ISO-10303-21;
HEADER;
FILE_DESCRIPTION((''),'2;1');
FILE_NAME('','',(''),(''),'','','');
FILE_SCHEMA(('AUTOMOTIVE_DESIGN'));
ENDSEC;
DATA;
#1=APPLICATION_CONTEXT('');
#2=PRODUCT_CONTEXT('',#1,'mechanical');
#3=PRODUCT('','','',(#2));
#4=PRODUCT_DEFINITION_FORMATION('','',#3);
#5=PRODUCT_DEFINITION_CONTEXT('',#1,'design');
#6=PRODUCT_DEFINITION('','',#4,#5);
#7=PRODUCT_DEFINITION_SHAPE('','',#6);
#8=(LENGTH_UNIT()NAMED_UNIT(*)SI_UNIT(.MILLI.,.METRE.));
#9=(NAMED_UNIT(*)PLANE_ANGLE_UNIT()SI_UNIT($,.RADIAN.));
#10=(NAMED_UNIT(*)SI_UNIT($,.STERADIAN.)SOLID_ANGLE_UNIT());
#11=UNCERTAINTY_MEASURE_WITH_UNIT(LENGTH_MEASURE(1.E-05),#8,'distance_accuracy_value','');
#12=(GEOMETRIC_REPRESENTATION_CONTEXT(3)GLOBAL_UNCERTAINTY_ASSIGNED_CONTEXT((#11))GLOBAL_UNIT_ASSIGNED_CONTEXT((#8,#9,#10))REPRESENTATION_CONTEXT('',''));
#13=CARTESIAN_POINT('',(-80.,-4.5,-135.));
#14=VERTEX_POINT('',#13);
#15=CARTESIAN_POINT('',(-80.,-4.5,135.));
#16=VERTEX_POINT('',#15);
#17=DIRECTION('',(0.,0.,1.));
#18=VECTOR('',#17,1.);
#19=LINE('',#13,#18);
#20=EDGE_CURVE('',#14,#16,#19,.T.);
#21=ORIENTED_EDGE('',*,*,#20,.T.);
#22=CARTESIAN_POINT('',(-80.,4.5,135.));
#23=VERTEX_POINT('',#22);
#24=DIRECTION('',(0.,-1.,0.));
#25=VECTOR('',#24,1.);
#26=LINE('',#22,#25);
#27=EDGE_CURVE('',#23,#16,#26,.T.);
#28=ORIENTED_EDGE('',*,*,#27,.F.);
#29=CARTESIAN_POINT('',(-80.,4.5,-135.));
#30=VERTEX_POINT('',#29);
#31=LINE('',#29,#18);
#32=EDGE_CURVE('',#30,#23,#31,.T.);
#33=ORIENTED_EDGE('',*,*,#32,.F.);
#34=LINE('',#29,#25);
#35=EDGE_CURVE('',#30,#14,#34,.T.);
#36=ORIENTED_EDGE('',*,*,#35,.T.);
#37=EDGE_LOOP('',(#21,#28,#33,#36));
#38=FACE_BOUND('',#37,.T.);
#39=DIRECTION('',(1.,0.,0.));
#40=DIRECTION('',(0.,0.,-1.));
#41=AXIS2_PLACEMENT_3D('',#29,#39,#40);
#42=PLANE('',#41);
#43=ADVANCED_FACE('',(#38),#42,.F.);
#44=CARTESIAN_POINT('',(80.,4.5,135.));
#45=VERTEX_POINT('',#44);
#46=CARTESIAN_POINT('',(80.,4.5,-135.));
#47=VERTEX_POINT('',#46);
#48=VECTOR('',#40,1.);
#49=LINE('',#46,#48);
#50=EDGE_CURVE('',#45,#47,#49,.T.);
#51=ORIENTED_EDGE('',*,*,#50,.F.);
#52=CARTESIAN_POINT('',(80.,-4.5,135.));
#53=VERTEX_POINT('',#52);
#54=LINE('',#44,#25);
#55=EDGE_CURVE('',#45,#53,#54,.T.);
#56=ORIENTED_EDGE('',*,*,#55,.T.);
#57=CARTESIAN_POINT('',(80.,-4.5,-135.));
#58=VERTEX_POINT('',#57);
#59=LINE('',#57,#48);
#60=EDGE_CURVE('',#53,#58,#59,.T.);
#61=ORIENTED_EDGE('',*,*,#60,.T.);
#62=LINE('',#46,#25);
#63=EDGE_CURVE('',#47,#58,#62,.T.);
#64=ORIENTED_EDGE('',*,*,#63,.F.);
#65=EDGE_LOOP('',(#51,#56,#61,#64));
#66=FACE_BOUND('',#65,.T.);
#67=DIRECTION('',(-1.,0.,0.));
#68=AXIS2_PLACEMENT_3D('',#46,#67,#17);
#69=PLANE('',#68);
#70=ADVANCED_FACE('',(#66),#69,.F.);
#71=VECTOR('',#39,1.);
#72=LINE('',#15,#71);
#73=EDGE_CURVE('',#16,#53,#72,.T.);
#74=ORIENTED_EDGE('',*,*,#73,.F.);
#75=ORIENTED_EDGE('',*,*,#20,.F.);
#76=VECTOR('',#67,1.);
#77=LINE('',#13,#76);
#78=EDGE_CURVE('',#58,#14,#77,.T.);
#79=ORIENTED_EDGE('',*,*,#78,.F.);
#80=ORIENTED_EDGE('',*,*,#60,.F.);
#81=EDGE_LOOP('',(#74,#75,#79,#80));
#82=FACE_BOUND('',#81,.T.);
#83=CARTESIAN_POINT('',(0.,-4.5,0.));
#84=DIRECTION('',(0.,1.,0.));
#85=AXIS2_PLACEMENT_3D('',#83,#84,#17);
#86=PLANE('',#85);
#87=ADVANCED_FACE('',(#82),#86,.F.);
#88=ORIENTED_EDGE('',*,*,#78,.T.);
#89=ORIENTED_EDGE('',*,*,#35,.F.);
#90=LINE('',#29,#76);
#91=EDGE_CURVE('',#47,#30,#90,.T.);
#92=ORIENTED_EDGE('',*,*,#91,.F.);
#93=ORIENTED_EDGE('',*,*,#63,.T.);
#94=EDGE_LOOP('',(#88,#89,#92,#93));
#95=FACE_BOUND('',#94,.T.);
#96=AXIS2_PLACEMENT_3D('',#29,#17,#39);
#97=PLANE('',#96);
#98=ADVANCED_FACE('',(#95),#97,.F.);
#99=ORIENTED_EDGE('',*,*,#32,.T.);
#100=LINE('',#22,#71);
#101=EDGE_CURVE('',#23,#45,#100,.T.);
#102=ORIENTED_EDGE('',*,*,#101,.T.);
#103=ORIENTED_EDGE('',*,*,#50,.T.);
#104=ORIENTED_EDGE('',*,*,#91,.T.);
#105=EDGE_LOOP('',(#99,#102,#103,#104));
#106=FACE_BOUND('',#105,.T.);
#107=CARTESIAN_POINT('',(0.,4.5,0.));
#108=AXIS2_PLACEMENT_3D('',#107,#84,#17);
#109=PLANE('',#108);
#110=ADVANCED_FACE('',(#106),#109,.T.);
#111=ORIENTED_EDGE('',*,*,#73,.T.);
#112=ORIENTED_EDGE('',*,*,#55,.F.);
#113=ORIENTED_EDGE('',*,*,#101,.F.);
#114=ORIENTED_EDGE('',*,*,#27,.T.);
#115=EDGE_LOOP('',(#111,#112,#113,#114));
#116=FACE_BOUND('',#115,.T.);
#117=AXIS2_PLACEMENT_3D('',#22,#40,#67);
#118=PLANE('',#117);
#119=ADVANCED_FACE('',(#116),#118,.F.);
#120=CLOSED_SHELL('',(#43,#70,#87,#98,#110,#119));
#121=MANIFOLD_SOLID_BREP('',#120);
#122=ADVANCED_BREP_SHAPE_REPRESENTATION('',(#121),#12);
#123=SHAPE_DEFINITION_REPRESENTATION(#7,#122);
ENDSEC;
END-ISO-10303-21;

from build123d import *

# Parameters (mm, degrees)
SKETCH1_W           = 160
SKETCH1_H           = 270
BOSS_EXTRUDE1_DEPTH = 4.5


with BuildPart() as part:
    # Sketch1 → Boss-Extrude1 (new, symmetric)
    with BuildSketch(Plane(origin=(0, 0, 0), x_dir=(1, 0, 0), z_dir=(0, 1, 0))):
        Rectangle(SKETCH1_W, SKETCH1_H)
    extrude(amount=BOSS_EXTRUDE1_DEPTH, both=True)


solid = part.part
